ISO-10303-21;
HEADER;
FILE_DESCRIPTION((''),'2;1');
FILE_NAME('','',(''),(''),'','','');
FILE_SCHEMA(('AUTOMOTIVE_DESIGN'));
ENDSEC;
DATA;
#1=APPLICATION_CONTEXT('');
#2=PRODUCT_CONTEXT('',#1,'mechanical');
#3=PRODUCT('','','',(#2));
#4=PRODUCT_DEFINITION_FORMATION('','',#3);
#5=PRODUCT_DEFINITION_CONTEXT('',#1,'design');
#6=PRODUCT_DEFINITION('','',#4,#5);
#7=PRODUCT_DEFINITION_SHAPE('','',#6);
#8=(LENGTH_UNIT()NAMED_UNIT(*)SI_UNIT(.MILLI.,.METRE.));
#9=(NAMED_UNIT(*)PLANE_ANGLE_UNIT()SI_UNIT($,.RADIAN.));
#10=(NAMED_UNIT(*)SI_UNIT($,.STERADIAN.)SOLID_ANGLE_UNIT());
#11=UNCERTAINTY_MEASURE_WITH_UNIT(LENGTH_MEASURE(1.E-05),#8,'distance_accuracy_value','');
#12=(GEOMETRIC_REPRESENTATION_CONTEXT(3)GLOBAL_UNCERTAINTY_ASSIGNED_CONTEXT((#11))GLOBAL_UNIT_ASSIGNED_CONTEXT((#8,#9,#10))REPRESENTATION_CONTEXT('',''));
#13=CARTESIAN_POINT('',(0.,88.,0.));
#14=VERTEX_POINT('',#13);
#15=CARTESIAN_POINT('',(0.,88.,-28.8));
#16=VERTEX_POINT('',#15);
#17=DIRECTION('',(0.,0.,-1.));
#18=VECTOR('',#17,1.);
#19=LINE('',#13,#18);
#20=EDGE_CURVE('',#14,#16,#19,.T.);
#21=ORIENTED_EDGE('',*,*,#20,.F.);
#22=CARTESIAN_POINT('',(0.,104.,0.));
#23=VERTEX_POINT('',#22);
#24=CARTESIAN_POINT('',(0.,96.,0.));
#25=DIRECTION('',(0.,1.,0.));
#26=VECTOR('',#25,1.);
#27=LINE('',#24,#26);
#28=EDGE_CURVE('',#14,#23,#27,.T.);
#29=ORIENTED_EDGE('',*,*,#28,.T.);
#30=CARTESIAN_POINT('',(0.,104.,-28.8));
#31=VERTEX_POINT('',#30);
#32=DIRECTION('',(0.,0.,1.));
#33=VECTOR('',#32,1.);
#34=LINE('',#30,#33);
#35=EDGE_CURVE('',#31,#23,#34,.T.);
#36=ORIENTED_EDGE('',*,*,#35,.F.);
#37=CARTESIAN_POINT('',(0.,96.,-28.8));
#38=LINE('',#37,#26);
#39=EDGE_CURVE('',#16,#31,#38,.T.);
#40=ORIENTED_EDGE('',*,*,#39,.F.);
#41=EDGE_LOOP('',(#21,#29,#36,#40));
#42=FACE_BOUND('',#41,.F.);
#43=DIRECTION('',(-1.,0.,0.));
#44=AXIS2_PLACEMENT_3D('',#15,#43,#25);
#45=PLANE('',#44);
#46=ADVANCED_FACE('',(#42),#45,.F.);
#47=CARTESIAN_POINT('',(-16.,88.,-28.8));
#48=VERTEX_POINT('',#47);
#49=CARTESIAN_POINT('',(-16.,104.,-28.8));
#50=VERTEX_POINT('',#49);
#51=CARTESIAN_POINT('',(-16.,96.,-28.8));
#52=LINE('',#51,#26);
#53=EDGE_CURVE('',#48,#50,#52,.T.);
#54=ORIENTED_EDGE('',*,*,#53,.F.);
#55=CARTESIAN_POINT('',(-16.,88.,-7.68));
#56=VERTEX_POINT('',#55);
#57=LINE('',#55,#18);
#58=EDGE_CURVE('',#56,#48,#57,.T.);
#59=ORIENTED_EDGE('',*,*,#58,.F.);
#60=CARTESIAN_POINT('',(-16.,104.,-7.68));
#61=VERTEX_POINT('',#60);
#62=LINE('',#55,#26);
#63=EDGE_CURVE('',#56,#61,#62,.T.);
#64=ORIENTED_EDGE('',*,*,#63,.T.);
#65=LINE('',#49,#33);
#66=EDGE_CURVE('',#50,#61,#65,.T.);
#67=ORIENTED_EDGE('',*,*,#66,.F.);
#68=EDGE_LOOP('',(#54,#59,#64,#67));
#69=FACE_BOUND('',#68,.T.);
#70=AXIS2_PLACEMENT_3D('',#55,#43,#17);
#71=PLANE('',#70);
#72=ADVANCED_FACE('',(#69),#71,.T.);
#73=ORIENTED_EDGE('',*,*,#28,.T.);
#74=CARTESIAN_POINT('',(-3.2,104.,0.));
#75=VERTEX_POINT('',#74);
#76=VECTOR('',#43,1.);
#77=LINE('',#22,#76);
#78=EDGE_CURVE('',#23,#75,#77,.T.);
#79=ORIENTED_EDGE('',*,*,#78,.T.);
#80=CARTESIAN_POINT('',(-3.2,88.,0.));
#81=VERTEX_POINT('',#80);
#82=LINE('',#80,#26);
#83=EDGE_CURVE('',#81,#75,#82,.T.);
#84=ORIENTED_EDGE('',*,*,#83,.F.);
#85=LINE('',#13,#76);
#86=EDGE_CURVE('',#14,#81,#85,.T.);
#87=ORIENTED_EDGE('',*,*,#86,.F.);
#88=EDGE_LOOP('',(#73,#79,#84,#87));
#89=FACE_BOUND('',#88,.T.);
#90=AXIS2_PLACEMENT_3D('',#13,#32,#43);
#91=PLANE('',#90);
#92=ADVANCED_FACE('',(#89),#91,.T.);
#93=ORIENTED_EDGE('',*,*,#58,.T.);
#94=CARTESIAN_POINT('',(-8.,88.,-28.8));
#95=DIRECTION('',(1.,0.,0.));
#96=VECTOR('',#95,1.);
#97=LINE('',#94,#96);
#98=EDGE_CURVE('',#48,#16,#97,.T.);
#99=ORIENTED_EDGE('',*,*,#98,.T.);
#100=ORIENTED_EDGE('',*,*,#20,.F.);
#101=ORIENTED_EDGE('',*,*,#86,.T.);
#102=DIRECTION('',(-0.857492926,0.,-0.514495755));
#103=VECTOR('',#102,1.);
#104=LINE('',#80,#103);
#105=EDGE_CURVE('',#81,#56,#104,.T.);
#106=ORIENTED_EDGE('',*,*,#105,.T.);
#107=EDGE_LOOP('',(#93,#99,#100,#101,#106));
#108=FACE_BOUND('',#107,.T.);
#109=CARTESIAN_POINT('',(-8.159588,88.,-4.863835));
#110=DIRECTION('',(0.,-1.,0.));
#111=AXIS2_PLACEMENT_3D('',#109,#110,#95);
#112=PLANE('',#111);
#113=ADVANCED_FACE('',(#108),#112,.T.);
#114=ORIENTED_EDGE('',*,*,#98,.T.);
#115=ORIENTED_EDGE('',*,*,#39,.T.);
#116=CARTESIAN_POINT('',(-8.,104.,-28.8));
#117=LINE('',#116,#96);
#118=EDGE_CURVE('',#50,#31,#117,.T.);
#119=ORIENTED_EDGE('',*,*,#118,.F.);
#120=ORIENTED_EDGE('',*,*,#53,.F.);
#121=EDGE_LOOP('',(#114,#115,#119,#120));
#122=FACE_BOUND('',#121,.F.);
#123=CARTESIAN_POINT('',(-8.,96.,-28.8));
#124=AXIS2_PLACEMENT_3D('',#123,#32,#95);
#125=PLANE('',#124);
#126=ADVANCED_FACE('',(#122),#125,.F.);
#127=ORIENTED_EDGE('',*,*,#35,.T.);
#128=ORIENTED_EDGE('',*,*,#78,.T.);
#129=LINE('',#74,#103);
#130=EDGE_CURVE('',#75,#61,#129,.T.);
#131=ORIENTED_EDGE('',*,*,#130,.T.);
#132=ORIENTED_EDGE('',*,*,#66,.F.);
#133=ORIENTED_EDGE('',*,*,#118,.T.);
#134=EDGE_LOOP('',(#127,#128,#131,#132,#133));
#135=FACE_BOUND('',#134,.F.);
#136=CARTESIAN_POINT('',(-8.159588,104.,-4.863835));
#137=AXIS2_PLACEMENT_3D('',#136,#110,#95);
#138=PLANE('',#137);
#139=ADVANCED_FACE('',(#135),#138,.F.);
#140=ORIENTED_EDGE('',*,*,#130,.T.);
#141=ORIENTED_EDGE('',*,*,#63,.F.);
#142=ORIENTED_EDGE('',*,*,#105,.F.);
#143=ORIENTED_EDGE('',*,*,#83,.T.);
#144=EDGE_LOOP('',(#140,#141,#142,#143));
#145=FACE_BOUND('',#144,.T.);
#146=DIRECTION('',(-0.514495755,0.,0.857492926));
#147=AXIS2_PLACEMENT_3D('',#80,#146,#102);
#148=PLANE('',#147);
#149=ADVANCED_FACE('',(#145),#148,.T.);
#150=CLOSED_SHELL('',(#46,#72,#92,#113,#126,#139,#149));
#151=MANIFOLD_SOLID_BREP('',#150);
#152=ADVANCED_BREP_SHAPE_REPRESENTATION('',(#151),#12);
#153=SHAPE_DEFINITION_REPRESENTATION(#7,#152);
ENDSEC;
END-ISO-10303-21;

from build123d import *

# Parameters (mm, degrees)
SKETCH019_W     = 16
SKETCH019_H     = 16
PAD011_DEPTH    = 28.8
POCKET008_DEPTH = 16
PAD138_DEPTH    = 16


with BuildPart() as part:
    # Sketch019 (on Face64 of Binder007) → Pad011 (new body)
    with BuildSketch(Plane.XY.offset(-28.8)):
        with Locations((-8, 96)):
            Rectangle(SKETCH019_W, SKETCH019_H)
    extrude(amount=PAD011_DEPTH)

    # Sketch020 (on Face3 of Pad011) → Pocket008 (cut)
    with BuildSketch(Plane.XZ.offset(-88)):
        Polygon((-16, -9.6), (0, 0), (-16, 0), align=None)
    extrude(amount=-POCKET008_DEPTH, mode=Mode.SUBTRACT)

    # Sketch140 (on Face6 of Pocket008) → Pad138 (join)
    with BuildSketch(Plane.XZ.offset(-88)):
        Polygon((0, 0), (-3.2, 0), (-16, -7.68), (-16, -10.88), (-3.2, -3.2), (0, -3.2), align=None)
    extrude(amount=-PAD138_DEPTH)


solid = part.part
